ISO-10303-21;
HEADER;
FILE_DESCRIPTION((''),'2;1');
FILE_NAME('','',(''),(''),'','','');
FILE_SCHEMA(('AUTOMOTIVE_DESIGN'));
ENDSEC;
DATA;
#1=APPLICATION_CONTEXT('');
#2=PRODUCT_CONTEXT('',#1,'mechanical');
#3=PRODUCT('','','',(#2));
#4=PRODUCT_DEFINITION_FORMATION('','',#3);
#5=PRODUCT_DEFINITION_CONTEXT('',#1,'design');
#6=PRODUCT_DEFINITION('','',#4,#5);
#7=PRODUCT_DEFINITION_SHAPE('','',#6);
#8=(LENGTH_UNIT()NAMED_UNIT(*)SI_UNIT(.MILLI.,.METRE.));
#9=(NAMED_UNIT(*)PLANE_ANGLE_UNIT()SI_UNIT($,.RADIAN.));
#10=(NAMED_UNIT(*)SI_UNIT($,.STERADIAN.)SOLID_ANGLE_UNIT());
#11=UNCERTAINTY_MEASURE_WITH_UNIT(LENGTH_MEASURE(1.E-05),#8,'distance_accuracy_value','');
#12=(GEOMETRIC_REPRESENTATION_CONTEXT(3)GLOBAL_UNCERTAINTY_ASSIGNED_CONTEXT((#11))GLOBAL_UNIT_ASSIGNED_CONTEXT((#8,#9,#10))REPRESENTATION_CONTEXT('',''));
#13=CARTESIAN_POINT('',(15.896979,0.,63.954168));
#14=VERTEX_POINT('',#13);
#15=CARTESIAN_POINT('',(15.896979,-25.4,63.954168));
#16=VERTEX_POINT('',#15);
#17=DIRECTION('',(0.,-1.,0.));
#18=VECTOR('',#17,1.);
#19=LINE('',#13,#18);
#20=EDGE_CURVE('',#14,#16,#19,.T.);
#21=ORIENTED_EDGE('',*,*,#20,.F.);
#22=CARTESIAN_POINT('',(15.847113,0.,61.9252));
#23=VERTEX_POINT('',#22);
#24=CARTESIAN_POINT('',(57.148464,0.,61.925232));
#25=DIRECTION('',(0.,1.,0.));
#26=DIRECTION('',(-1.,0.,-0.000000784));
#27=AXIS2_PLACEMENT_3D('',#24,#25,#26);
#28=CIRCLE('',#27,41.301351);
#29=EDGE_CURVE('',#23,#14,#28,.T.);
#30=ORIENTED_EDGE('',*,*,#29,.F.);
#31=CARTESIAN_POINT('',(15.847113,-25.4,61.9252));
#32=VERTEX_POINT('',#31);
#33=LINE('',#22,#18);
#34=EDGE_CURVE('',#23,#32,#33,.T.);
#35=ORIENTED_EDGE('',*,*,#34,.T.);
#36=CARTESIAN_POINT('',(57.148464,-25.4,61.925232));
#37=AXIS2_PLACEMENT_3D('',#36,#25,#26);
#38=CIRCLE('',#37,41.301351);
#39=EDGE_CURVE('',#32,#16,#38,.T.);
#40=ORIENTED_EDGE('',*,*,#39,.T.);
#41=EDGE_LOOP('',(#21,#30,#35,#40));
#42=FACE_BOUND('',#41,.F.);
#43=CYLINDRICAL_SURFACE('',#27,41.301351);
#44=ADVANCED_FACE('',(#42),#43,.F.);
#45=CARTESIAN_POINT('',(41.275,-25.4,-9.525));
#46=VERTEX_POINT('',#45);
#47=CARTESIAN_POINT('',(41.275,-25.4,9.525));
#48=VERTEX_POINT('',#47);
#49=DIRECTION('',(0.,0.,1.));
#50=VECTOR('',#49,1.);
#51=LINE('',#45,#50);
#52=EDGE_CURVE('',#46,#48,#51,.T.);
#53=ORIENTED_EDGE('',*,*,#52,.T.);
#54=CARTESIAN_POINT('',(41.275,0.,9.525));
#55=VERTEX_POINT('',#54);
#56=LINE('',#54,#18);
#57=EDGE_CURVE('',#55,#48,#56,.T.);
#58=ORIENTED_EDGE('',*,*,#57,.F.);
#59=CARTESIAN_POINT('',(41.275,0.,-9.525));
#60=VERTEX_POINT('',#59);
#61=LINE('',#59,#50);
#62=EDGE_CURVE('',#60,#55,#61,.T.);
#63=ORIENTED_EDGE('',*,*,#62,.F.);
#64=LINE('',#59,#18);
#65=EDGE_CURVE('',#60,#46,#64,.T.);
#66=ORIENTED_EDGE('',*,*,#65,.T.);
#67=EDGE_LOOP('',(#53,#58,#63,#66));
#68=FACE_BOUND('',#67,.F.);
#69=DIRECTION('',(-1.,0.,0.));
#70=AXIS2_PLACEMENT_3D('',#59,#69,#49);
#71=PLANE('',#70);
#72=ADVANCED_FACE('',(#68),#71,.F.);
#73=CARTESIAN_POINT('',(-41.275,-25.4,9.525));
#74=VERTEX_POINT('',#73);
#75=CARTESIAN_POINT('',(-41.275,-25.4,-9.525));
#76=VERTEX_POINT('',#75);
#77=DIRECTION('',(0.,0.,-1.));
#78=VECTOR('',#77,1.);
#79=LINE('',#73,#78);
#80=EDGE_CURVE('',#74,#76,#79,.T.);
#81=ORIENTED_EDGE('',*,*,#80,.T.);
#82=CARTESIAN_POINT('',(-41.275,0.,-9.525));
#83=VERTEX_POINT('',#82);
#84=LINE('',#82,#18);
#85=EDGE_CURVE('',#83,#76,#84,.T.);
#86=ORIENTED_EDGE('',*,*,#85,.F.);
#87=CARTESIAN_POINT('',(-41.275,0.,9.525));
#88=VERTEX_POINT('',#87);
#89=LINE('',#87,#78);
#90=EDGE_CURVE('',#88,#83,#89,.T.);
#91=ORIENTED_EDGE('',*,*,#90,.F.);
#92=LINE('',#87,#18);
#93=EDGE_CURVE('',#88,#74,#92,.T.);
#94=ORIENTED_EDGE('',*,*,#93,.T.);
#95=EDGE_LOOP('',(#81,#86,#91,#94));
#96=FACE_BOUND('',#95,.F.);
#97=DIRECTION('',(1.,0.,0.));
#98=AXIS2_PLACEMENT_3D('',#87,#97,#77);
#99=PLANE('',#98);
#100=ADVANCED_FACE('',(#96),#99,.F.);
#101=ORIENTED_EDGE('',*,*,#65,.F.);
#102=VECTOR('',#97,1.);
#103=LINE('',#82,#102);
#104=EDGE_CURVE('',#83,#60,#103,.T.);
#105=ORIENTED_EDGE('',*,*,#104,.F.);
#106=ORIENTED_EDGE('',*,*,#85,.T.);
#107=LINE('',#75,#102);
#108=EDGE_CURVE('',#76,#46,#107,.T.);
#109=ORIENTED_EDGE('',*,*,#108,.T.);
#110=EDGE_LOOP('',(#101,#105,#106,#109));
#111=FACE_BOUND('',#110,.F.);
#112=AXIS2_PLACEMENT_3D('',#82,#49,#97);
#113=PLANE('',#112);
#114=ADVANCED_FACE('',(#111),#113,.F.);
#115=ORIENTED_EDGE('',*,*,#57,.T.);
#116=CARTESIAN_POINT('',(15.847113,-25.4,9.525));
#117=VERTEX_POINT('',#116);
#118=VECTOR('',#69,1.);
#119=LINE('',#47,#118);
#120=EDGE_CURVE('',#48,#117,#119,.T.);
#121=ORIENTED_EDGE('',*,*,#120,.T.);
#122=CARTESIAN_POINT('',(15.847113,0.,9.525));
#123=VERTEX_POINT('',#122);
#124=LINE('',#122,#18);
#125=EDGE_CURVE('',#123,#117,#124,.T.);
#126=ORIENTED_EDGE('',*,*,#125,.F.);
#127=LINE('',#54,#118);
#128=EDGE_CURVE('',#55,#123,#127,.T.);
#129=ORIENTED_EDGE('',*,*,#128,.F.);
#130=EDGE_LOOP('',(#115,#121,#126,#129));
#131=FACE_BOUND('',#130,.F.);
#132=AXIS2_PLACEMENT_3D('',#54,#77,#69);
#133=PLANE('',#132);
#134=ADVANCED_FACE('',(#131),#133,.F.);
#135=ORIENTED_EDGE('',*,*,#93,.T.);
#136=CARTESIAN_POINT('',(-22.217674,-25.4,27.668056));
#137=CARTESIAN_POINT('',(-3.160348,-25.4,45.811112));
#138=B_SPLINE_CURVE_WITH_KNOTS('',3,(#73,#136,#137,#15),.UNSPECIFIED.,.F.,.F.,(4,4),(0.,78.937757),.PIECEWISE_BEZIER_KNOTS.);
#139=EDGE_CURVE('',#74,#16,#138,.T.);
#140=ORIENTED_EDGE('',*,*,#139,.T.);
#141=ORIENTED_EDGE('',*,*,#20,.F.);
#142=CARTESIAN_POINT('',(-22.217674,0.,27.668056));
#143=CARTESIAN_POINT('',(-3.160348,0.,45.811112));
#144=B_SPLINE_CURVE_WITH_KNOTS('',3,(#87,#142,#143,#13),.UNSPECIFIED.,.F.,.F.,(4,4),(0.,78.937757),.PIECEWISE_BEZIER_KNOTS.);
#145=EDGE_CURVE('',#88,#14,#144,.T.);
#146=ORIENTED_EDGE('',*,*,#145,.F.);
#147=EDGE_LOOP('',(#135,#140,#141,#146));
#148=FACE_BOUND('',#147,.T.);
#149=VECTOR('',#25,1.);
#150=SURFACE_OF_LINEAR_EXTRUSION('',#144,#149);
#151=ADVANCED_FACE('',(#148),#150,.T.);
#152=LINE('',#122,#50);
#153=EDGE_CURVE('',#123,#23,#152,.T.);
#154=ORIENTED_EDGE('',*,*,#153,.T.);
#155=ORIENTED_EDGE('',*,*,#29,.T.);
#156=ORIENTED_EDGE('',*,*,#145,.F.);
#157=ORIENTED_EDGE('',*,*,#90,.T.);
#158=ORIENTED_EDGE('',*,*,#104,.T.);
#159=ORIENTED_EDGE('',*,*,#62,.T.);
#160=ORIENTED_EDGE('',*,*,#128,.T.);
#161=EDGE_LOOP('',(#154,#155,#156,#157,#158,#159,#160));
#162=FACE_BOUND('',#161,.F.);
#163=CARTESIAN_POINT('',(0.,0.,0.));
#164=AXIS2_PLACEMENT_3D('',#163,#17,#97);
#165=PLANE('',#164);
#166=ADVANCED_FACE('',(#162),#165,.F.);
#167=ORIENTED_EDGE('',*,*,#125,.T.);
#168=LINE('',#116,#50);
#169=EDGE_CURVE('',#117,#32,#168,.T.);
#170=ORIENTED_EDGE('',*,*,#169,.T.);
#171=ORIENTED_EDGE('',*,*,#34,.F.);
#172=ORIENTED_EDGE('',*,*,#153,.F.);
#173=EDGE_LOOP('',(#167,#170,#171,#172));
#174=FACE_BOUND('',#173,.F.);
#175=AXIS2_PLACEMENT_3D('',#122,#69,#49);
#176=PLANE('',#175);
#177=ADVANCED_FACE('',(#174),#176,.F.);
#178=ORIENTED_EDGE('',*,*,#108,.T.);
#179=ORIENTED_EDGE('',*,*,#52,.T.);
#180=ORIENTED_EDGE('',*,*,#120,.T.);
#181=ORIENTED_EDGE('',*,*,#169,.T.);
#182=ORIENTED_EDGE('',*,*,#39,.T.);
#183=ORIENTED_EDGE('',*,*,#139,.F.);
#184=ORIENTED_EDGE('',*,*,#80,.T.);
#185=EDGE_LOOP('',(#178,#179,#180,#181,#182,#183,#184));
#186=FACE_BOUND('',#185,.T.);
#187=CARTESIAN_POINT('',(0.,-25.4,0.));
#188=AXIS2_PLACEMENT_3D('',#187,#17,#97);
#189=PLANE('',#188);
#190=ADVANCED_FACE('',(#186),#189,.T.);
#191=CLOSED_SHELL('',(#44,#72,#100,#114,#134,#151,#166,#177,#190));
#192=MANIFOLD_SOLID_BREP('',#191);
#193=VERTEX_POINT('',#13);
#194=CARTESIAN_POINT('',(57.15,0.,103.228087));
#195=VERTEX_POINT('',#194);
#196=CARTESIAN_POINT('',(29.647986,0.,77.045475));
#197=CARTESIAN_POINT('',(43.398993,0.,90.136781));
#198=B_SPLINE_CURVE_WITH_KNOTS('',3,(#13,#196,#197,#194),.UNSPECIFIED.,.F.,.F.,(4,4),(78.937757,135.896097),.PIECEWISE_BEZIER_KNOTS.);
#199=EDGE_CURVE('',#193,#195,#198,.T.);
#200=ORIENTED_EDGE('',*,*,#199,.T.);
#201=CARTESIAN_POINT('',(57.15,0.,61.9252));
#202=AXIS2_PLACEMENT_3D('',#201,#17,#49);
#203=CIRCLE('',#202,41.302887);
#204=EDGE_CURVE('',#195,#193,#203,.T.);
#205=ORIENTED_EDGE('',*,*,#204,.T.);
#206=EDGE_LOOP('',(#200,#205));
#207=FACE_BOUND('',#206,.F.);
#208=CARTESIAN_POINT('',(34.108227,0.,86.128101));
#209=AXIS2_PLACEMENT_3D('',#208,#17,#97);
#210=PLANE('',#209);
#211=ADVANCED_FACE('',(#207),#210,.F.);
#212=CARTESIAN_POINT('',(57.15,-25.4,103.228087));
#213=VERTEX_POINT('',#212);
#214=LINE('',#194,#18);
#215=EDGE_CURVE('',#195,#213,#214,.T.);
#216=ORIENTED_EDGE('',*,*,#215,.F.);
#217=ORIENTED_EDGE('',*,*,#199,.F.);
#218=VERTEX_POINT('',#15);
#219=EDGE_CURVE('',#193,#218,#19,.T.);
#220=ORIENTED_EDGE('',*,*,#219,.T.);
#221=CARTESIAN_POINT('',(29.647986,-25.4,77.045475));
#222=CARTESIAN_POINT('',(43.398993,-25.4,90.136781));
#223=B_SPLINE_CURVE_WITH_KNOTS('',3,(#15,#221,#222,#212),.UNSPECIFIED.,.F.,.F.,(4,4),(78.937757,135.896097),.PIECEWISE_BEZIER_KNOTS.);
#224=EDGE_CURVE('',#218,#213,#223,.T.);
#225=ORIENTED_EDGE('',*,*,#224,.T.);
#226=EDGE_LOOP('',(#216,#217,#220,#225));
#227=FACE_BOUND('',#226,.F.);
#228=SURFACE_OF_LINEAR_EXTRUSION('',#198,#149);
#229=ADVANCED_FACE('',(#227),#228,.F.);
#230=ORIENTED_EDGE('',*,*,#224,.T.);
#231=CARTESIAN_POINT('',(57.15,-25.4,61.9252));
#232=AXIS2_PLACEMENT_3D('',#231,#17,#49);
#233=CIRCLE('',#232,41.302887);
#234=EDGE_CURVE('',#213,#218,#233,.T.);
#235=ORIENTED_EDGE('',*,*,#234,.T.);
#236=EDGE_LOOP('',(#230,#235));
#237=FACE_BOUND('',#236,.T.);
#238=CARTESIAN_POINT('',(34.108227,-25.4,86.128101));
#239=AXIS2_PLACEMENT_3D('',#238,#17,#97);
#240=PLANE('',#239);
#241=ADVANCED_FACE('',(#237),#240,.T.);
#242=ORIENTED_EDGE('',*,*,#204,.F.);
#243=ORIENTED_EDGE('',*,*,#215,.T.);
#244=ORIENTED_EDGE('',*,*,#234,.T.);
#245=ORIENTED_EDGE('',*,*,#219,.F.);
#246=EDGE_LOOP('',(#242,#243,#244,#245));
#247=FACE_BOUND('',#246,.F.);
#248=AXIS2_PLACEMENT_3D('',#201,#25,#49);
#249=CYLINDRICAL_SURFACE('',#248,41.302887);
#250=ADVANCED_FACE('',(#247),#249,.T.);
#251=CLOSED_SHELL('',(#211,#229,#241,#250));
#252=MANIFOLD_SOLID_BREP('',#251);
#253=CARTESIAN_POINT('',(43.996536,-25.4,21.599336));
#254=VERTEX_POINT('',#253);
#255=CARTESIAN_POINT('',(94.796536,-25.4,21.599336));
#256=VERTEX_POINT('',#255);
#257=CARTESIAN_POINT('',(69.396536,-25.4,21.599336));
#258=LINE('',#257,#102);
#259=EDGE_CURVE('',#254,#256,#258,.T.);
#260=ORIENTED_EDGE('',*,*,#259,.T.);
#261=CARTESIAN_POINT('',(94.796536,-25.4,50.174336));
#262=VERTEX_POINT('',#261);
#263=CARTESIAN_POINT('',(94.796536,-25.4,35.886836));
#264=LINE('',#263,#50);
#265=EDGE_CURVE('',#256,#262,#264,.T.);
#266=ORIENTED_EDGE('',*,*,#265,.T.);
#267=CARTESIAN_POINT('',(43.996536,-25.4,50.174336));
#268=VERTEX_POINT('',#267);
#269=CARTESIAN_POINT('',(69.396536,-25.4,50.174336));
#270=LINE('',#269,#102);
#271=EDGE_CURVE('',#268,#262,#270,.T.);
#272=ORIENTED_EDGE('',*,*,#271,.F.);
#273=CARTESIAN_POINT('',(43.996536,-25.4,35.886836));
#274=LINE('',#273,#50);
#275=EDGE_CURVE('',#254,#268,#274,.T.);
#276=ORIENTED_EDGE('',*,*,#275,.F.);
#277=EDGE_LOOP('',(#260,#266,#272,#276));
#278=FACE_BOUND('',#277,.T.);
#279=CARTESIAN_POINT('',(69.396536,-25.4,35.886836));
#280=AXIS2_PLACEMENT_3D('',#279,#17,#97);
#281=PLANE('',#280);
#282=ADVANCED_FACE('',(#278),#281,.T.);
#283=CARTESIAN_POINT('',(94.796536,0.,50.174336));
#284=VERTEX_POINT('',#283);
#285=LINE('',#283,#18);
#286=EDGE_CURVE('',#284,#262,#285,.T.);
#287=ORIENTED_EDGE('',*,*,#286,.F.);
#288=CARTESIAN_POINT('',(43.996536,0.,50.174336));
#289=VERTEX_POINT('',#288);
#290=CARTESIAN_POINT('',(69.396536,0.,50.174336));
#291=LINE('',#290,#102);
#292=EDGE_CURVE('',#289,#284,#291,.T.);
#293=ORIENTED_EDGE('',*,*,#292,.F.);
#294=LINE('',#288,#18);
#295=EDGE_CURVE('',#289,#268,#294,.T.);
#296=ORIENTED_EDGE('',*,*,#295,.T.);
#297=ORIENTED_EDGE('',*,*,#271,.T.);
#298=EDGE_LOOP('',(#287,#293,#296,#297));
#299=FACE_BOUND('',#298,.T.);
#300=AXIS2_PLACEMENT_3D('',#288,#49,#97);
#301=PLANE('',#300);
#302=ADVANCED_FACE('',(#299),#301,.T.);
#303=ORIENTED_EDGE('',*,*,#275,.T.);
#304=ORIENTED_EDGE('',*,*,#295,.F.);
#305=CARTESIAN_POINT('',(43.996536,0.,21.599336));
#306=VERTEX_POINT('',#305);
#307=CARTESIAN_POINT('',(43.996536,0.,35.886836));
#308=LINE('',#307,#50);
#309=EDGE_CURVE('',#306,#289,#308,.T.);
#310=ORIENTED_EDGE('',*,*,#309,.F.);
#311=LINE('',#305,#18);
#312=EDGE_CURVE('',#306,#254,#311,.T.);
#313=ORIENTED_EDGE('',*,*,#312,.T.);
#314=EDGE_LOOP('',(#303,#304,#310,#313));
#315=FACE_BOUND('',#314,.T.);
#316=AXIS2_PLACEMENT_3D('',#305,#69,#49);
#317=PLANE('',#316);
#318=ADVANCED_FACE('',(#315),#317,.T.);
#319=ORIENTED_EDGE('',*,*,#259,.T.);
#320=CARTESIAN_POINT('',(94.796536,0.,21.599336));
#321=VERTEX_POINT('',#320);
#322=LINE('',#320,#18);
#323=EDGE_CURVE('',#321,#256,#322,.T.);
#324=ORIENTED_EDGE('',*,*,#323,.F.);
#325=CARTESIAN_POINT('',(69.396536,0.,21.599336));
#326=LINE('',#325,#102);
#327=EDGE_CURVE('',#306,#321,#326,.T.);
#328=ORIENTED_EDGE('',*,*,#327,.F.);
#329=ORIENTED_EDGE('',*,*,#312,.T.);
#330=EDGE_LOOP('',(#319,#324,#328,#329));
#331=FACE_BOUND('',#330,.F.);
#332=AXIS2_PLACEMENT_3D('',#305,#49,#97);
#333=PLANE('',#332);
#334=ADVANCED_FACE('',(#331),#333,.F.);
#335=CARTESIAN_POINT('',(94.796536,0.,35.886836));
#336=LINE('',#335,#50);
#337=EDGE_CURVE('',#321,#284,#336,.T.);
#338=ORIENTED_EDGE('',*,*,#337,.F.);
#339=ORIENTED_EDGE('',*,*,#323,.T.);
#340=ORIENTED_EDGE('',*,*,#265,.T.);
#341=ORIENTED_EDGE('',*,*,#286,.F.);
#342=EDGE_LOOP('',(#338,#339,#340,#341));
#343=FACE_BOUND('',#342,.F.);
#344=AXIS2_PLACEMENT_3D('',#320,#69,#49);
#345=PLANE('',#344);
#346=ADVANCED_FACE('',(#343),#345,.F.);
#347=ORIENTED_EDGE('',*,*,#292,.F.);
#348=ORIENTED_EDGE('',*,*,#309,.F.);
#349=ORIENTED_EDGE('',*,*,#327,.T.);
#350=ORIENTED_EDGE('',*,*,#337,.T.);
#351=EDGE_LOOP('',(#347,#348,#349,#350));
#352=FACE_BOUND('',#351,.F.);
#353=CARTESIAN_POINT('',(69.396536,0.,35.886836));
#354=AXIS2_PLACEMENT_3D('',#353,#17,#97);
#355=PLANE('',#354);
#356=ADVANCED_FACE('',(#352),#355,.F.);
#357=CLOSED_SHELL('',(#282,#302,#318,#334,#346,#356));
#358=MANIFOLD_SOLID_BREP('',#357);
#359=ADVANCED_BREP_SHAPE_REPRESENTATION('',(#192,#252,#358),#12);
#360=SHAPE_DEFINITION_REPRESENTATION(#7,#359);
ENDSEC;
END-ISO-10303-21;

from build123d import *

# Parameters (mm, degrees)
F0_W     = 50.8
F0_H     = 28.575
F1_DEPTH = 25.4


with BuildPart() as f1:
    # F0 (on Front) → F1 (new body)
    with BuildSketch(Plane.XZ):
        with BuildLine():
            ThreePointArc((57.15, 103.228087), (28.67083, 91.8395), (15.896979, 63.954168))
            add(Edge.make_bspline(
                [(15.896979, 63.954168), (29.647986, 77.045475), (43.398993, 90.136781), (57.15, 103.228087)],
                knots=[78.937757, 78.937757, 78.937757, 78.937757, 135.896097, 135.896097, 135.896097, 135.896097], degree=3))
        make_face()
        Polygon((-41.275, -9.525), (41.275, -9.525), (41.275, 9.525), (15.847113, 9.525), (-41.275, 9.525), align=None)
        with BuildLine():
            add(Edge.make_bspline(
                [(-41.275, 9.525), (-22.217674, 27.668056), (-3.160348, 45.811112), (15.896979, 63.954168)],
                knots=[0, 0, 0, 0, 78.937757, 78.937757, 78.937757, 78.937757], degree=3))
            Line((-41.275, 9.525), (15.847113, 9.525))
            Line((15.847113, 9.525), (15.847113, 61.9252))
            ThreePointArc((15.847113, 61.9252), (15.859581, 62.939991), (15.896979, 63.954168))
        make_face()
        with Locations((69.396536, 35.886836)):
            Rectangle(F0_W, F0_H)
    extrude(amount=F1_DEPTH)


solid = f1.part
